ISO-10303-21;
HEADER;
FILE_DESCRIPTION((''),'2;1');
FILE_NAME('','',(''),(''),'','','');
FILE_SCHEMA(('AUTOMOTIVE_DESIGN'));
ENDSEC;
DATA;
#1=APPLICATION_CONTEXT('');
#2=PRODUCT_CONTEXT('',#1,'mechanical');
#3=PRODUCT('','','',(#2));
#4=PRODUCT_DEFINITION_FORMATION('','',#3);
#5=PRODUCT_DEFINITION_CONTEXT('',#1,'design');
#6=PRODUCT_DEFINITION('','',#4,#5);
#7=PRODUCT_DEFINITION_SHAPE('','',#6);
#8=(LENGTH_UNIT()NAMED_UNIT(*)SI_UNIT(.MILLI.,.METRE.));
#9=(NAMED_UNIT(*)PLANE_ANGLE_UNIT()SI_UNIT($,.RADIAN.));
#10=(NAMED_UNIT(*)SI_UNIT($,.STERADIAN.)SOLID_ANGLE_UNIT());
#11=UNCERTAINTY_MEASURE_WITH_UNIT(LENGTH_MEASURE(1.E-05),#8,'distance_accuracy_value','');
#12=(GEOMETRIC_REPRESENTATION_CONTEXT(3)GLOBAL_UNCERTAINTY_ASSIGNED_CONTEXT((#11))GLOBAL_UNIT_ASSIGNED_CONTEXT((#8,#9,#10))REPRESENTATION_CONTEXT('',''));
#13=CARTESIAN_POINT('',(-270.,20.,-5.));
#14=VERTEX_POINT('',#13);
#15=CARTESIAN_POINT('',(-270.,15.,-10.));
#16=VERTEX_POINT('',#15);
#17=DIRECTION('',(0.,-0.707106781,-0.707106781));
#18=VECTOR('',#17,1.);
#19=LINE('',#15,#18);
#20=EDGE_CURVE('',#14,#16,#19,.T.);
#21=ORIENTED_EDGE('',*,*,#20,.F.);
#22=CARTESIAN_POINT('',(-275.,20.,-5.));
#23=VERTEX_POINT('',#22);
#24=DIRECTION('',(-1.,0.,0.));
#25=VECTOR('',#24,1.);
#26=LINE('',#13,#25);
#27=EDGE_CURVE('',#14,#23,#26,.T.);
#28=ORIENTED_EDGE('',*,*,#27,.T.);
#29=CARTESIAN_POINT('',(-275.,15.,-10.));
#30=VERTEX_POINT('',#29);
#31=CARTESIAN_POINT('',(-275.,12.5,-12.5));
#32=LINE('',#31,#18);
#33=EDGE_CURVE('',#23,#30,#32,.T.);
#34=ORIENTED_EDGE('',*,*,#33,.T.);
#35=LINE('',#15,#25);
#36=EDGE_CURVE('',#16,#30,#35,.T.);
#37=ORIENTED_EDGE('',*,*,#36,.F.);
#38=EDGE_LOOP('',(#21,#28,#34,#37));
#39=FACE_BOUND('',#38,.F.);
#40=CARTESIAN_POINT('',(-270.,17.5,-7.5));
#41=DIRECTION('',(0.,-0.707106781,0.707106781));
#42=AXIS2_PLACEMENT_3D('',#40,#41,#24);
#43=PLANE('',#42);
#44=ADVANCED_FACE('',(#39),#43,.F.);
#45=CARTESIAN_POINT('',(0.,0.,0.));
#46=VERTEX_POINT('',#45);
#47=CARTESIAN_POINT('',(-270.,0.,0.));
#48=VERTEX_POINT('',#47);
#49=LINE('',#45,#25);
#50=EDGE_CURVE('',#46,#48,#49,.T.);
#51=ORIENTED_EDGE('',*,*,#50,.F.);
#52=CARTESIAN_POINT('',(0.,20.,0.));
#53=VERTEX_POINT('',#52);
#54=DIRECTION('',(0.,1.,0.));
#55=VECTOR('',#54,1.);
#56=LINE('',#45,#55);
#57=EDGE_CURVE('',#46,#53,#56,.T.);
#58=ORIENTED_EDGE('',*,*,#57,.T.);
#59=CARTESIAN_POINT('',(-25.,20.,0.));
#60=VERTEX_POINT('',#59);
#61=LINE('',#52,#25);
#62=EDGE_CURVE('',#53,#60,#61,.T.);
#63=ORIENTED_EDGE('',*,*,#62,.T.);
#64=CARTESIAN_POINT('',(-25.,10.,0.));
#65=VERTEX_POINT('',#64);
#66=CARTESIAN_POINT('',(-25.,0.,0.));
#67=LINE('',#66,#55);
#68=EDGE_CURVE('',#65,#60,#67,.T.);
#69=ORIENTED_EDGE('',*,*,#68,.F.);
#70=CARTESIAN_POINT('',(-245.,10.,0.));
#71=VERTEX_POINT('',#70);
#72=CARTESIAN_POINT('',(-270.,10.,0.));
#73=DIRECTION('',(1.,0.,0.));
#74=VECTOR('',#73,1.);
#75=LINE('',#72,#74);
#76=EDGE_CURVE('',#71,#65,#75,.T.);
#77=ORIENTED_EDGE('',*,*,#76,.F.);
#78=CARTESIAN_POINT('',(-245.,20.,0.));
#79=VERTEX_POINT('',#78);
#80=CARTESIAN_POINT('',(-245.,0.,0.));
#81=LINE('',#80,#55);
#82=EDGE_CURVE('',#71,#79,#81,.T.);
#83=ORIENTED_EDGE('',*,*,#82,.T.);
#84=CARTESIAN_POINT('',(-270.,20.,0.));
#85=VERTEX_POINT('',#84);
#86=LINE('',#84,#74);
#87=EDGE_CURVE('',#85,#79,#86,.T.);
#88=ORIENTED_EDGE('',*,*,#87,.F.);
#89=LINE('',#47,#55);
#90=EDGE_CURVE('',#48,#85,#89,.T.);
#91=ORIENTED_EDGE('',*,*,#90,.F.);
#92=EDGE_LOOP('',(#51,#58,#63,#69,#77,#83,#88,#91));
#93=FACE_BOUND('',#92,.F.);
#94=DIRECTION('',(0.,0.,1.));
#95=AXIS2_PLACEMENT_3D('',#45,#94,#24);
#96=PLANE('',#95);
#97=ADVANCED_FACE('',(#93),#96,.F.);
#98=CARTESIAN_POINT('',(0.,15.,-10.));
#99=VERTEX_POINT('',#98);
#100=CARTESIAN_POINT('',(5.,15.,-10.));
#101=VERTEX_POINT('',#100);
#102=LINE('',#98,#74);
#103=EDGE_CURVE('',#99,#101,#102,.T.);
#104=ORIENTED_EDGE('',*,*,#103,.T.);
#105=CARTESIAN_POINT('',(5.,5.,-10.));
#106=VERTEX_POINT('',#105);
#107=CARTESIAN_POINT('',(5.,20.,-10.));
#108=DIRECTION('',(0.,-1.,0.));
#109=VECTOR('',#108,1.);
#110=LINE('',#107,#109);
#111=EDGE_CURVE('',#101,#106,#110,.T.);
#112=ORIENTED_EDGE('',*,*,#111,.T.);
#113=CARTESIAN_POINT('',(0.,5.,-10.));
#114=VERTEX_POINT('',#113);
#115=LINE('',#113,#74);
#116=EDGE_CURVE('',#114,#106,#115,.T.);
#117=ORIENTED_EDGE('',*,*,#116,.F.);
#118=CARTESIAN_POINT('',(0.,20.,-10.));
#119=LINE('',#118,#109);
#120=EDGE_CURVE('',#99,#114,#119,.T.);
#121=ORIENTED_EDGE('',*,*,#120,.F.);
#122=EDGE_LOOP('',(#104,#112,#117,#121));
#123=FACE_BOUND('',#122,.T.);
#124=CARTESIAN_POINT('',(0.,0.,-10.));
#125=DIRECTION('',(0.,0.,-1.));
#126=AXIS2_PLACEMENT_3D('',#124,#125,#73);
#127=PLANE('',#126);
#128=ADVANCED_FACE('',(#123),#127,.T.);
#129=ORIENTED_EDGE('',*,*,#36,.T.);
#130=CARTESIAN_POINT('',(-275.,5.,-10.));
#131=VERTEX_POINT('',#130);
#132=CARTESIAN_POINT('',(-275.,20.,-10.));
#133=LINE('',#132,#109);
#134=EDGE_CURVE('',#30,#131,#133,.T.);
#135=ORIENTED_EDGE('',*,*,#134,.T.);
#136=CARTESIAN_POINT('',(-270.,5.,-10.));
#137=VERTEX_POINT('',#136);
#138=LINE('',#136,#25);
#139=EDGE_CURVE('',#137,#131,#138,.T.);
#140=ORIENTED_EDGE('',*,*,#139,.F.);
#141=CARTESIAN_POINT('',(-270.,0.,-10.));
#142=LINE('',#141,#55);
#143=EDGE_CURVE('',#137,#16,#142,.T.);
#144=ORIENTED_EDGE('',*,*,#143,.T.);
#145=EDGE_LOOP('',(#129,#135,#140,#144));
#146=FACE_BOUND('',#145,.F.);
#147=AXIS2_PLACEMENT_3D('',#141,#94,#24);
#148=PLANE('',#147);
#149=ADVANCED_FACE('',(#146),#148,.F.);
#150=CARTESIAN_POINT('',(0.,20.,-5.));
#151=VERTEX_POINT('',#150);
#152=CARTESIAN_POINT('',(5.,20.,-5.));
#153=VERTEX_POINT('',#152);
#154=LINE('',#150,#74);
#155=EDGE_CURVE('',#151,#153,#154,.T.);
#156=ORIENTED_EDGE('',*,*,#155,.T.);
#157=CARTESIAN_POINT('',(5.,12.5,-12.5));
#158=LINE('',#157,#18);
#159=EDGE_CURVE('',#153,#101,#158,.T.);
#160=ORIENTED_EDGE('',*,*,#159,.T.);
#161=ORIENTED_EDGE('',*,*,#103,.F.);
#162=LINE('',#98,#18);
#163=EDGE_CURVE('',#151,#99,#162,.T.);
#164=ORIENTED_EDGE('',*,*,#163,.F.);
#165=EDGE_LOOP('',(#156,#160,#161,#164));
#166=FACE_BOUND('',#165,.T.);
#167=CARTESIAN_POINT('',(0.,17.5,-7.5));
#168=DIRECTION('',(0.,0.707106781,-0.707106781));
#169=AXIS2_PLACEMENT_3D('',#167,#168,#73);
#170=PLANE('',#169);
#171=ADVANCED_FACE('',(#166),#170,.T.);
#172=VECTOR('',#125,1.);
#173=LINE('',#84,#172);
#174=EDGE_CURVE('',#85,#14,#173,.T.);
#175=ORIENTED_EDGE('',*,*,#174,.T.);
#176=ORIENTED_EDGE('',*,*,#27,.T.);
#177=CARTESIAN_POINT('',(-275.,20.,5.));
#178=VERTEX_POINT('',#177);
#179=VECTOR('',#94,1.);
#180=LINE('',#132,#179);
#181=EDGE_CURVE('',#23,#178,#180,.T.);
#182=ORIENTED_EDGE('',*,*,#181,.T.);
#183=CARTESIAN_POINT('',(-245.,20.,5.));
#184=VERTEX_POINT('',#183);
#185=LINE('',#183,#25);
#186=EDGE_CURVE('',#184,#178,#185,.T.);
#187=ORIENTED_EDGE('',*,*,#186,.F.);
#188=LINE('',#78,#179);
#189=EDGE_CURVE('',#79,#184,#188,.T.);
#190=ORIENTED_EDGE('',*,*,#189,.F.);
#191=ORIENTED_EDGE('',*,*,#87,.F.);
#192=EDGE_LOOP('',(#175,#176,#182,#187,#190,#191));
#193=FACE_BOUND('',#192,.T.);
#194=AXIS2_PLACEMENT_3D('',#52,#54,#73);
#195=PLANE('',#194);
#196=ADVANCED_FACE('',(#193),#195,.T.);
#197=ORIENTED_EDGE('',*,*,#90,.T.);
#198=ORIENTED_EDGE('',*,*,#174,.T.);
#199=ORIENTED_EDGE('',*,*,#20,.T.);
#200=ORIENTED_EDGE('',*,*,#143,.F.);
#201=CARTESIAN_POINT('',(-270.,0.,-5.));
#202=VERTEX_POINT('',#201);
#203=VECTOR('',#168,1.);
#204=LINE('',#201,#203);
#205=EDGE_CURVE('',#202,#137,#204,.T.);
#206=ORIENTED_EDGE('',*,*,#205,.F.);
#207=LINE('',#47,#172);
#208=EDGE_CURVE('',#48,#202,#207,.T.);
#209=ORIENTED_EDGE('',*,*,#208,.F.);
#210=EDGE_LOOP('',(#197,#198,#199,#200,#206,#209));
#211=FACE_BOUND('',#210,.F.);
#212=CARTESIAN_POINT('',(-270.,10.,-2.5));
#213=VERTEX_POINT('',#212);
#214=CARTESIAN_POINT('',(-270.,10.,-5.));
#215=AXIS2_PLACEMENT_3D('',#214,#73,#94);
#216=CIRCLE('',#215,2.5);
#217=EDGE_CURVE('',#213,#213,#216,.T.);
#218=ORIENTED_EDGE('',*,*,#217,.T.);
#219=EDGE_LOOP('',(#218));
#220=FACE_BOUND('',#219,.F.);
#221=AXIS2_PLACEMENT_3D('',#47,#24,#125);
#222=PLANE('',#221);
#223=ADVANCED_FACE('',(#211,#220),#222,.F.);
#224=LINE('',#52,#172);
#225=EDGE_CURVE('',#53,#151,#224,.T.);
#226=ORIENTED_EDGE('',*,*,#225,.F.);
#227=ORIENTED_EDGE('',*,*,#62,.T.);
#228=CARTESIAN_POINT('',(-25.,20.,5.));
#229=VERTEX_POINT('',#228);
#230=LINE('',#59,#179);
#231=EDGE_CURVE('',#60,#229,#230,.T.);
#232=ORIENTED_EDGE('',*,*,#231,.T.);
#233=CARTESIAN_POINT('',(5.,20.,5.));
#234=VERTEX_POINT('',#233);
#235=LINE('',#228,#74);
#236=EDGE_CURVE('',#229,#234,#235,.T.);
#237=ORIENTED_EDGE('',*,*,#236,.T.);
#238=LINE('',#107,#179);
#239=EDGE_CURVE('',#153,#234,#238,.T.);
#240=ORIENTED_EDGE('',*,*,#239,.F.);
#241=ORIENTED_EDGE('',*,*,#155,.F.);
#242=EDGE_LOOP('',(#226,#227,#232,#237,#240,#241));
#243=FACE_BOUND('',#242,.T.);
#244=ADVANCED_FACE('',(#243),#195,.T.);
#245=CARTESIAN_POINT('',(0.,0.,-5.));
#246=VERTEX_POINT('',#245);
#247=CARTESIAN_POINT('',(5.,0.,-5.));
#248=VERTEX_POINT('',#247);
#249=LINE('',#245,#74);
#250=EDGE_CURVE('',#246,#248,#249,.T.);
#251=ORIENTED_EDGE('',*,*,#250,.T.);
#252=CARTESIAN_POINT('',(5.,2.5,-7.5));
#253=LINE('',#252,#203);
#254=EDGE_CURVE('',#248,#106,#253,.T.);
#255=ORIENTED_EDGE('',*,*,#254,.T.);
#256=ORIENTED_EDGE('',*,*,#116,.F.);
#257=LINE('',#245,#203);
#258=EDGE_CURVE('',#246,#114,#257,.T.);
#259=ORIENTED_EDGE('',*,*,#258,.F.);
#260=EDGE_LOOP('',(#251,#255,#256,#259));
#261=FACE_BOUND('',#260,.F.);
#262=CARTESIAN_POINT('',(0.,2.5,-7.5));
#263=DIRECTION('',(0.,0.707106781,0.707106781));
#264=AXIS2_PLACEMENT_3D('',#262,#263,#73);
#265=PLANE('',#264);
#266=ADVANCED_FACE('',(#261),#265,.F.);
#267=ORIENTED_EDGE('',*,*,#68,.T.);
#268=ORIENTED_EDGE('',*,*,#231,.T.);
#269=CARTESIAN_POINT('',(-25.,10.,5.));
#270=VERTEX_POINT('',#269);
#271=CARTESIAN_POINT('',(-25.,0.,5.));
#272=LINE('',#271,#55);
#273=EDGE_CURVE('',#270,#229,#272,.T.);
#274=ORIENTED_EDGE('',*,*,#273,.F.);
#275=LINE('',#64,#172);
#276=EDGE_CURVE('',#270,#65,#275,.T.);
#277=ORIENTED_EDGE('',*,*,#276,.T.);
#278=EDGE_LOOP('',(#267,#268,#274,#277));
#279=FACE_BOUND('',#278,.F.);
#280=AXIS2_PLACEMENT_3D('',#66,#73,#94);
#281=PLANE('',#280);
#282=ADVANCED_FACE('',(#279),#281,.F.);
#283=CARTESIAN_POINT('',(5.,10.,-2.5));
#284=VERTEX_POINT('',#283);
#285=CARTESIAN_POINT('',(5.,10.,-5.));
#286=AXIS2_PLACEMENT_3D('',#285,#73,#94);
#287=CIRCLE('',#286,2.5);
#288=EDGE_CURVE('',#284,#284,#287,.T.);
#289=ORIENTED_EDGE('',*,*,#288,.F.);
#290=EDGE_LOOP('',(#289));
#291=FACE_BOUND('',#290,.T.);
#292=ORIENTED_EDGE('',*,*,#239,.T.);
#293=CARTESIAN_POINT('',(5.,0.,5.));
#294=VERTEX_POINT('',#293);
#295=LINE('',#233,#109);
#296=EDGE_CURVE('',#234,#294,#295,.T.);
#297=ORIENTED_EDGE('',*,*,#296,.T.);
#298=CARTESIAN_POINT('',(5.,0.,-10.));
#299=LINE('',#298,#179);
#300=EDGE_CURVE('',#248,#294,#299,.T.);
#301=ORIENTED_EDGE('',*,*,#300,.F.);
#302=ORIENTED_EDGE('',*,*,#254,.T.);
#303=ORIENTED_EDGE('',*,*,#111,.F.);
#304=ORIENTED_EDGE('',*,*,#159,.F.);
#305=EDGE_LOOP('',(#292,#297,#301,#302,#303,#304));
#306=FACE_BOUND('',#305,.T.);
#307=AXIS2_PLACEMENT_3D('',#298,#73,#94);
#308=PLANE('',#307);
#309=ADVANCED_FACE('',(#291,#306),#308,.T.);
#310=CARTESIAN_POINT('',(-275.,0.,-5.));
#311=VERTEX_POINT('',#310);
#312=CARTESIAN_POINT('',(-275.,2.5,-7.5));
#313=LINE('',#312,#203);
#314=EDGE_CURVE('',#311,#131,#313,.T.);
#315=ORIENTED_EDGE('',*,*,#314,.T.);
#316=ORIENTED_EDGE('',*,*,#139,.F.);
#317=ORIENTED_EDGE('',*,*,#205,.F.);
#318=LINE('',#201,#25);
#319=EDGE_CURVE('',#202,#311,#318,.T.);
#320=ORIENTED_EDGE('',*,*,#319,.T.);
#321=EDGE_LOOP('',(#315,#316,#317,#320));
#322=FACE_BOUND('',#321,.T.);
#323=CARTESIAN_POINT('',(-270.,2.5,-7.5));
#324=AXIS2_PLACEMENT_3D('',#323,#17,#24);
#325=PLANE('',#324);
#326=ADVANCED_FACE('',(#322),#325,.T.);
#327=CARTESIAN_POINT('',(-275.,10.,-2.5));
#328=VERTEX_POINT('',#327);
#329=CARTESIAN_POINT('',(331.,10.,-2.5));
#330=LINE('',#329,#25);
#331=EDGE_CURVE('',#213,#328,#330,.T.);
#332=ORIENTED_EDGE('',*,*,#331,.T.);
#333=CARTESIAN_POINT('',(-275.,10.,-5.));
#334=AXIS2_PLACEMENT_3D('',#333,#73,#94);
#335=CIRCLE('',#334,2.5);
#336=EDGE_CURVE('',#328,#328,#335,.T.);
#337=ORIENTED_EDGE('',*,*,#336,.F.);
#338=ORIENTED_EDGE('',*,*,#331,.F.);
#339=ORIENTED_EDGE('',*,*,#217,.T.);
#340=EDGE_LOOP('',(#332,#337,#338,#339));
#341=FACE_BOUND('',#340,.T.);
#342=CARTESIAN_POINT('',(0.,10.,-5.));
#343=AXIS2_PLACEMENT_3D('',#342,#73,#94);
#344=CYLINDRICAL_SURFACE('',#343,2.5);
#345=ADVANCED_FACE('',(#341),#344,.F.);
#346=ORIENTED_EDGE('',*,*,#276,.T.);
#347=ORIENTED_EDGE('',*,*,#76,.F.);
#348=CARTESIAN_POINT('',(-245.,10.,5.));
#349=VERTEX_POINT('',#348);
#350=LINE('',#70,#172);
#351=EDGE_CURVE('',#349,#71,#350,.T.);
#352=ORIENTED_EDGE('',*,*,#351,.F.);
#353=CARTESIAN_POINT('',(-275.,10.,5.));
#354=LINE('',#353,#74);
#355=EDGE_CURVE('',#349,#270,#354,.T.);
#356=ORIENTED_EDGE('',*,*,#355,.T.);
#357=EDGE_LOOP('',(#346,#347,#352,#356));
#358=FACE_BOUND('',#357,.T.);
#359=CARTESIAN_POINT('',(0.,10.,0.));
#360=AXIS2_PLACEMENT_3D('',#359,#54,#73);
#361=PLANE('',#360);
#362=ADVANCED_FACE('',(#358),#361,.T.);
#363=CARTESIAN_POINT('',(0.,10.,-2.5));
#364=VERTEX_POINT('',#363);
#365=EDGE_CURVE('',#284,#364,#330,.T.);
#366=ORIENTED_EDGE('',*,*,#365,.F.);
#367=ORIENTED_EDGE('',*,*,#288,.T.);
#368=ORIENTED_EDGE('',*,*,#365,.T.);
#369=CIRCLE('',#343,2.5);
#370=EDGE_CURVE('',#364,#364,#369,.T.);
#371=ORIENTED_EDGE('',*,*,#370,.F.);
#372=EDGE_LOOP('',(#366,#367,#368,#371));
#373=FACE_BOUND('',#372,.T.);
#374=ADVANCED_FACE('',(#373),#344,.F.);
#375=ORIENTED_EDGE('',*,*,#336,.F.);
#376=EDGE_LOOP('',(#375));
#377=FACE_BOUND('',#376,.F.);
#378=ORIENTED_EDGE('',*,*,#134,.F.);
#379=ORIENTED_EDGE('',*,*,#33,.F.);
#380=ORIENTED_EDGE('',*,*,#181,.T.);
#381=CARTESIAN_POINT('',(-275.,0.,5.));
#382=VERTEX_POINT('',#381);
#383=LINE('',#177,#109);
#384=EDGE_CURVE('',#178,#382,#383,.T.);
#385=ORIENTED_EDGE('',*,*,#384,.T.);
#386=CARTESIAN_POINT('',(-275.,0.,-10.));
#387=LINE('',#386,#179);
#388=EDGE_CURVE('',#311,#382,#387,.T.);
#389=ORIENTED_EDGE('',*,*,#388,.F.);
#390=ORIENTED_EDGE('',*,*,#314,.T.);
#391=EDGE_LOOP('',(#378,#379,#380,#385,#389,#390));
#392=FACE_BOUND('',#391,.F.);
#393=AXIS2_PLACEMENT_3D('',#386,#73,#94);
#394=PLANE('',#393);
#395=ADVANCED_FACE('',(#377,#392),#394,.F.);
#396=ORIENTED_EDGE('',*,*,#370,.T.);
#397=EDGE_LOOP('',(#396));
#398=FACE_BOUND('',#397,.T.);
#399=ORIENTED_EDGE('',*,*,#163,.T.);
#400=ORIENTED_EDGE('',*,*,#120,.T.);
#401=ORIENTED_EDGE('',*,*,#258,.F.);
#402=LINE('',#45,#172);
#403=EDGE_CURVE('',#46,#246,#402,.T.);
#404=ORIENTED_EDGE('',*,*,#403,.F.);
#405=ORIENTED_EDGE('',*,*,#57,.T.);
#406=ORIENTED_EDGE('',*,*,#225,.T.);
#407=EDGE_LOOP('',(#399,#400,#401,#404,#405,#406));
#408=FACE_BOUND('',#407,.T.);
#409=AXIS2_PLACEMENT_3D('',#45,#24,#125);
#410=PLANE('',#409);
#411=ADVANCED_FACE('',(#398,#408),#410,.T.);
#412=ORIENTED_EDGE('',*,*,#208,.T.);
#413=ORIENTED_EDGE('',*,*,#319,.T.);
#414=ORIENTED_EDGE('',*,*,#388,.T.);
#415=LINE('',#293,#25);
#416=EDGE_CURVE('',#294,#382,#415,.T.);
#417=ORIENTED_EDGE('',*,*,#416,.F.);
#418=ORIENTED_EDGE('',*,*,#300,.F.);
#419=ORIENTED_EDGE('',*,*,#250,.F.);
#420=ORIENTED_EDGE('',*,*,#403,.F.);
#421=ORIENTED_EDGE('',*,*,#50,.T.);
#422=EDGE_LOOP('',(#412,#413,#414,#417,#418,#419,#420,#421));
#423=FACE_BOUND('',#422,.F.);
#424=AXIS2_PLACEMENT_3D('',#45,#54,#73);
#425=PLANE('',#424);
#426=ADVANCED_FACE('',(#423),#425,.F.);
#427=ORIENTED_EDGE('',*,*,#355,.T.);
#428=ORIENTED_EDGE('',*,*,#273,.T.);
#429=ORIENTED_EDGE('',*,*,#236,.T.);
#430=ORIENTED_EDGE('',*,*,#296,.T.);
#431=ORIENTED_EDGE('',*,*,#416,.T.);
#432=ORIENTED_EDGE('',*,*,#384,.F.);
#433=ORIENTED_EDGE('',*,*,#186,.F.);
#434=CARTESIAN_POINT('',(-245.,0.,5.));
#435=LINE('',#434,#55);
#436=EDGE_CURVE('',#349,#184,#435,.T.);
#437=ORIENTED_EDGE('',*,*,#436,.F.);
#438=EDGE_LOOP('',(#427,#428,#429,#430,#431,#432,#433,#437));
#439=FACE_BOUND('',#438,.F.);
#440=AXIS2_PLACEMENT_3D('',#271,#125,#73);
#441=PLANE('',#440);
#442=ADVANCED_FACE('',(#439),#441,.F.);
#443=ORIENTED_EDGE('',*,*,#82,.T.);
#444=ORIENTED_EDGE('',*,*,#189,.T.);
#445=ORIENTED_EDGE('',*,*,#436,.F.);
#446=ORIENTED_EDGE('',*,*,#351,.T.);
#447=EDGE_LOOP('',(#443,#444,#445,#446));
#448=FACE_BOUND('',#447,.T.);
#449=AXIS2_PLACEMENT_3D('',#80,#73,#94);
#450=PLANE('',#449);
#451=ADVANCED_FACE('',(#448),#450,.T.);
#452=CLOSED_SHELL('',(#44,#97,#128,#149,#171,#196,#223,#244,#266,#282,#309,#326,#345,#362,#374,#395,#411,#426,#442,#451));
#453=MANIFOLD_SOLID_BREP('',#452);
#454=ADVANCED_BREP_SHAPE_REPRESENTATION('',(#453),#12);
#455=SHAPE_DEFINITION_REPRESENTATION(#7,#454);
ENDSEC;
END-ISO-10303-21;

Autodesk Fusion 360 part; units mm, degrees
sketch "Sketch1" plane through (0, 0, 0) normal (0, 1, 0) x (1, 0, 0)
  line L0 (0, 0) -> (-25, 0)
  line L1 (-25, 0) -> (-25, -5)
  line L2 (-25, -5) -> (5, -5)
  line L3 (0, 0) -> (0, 10)
  line L4 (0, 10) -> (5, 10)
  line L5 (5, 10) -> (5, -5)
  line L6 (-25, 0) -> (-245, 0)
  line L7 (-245, 0) -> (-245, -5)
  line L8 (-245, -5) -> (-25, -5)
  line L9 (-25, 0) -> (-140, 0)
  line L10 (-140, 0) -> (-140, 27.0089)
  line L11 (-270, 10) -> (-275, 10)
  line L12 (-270, 0) -> (-270, 10)
  line L13 (-275, 10) -> (-275, -5)
  line L14 (-270, 0) -> (-245, 0)
  line L15 (-245, -5) -> (-275, -5)
  line L16 (-245, 0) -> (-245, -5)
  point P0 (-270, 0)
  dimension "d1" = 25
  dimension "d2" = 5
  dimension "d3" = 30
  dimension "d4" = 10
  dimension "d5" = 5
  dimension "d6" = 220
  dimension "d7" = 5
  dimension "d8" = 115
extrude "Extrude1" add sketch "Sketch1" along normal blind 10
extrude "Extrude2" add sketch "Sketch1" along normal blind 20 contours L0 L1 L2 L3 L4 L5 | L7 L11 L12 L13 L14 L15 L16
sketch "Sketch2" plane through (5, 0, 0) normal (1, 0, 0) x (0, 0, -1)
  line L0 (-5, 0) -> (10, 0)
  line L1 (10, 0) -> (10, 20)
  line L2 (10, 20) -> (-5, 20)
  line L3 (-5, 20) -> (-5, 0)
sketch "Sketch3" plane through (0, 0, 0) normal (-1, 0, 0) x (0, 0, 1)
  line L0 (-10, 0) -> (0, 0)
  line L1 (0, 0) -> (0, 20)
  line L2 (0, 20) -> (-10, 20)
  line L3 (-10, 20) -> (-10, 0)
  line L4 (-10, 0) -> (-5, 0)
  line L5 (-5, 0) -> (-5, 10)
  circle A0 centre (-5, 10) radius 2.5
  dimension "d13" = 5
  dimension "d14" = 10
  dimension "d15" = 5
extrude "Extrude3" cut sketch "Sketch3" along normal mid plane 662 contours A0
chamfer "Chamfer1" distance 5 angle 45 4 edges at (2.5, 20, -10) (2.5, 0, -10) (-272.5, 20, -10) (-272.5, 0, -10)
